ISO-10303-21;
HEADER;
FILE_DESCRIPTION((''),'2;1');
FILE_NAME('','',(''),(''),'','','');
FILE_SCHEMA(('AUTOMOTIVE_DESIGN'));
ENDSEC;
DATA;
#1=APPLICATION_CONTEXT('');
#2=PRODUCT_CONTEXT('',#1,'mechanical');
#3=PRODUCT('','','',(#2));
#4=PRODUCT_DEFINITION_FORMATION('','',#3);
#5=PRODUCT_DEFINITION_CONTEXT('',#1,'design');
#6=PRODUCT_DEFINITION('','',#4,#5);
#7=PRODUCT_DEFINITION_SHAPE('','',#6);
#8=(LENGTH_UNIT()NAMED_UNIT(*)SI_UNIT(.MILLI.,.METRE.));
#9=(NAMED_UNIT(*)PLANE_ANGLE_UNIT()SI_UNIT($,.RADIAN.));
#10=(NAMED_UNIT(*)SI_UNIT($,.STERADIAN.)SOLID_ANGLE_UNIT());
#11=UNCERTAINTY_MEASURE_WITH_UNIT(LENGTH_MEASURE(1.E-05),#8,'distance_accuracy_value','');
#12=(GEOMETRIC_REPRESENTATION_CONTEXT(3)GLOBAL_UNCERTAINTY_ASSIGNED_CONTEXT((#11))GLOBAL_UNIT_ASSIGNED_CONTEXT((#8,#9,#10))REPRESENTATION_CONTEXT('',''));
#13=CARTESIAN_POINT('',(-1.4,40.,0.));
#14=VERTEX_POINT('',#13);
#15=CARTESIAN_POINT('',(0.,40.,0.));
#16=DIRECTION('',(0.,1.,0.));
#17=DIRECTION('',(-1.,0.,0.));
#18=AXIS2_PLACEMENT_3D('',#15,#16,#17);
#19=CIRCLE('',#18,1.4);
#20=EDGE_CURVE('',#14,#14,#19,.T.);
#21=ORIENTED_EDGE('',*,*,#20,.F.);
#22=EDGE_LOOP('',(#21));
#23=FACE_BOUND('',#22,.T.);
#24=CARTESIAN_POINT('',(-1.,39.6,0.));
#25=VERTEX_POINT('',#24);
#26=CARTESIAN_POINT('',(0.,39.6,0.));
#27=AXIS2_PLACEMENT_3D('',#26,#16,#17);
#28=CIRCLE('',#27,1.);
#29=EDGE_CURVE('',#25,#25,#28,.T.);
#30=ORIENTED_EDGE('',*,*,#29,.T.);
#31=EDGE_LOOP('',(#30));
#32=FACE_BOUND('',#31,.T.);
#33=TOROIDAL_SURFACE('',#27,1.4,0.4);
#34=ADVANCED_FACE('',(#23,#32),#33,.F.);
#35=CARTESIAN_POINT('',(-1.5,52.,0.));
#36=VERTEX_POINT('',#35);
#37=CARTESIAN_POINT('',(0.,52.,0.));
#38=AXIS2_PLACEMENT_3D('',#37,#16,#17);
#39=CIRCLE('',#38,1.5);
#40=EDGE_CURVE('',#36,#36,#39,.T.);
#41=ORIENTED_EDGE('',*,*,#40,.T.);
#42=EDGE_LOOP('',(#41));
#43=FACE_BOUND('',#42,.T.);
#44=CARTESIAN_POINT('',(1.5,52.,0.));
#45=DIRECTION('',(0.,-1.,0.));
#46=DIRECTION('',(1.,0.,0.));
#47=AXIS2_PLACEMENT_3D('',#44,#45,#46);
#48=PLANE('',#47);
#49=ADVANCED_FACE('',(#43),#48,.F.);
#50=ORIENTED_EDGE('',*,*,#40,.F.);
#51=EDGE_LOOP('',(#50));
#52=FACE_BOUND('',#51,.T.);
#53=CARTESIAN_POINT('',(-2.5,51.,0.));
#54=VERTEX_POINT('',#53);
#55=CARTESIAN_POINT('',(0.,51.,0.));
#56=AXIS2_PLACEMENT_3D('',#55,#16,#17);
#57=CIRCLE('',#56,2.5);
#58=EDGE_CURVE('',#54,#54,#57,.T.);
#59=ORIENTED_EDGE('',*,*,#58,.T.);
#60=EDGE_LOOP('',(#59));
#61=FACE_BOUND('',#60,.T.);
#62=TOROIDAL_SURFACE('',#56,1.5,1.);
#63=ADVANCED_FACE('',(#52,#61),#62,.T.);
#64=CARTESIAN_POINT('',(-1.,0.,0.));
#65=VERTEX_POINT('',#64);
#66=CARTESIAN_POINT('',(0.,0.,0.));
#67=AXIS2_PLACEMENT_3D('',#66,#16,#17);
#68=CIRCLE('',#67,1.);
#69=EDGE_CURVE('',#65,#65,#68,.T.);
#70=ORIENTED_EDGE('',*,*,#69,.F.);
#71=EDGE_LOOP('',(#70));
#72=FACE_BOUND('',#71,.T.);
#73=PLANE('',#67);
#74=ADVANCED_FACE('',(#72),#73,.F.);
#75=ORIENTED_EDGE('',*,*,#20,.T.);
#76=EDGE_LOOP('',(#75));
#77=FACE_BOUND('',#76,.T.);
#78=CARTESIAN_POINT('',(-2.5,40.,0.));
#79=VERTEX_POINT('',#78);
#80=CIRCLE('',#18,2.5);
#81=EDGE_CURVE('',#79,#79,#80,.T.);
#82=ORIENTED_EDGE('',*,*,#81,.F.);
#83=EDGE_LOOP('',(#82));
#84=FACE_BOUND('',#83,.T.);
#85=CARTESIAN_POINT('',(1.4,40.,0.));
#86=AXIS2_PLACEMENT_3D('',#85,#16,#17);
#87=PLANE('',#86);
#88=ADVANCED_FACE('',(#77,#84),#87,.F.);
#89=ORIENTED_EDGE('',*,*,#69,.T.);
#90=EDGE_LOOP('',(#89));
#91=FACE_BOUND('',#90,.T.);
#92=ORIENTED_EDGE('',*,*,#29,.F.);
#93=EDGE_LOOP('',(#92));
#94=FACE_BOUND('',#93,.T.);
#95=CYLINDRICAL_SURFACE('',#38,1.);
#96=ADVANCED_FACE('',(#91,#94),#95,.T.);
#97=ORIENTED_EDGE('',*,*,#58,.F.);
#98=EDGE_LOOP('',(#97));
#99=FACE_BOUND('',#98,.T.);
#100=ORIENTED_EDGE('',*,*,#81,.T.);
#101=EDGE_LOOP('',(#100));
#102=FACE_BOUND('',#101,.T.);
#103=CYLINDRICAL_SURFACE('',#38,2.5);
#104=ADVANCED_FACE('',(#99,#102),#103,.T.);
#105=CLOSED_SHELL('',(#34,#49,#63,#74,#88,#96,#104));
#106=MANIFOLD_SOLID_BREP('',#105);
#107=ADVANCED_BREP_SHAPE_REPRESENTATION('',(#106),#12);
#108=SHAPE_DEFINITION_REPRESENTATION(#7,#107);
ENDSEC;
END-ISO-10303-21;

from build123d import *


with BuildPart() as part:
    # Sketch1 → Revolve1 (revolve)
    with BuildSketch(Plane.XY):
        with BuildLine():
            Line((0, 0), (1, 0))
            Line((1, 0), (1, 39.6))
            ThreePointArc((1, 39.6), (1.117157288, 39.882842712), (1.4, 40))
            Line((1.4, 40), (2.5, 40))
            Line((2.5, 40), (2.5, 51))
            ThreePointArc((2.5, 51), (2.207106781, 51.707106781), (1.5, 52))
            Line((1.5, 52), (0, 52))
            Line((0, 52), (0, 0))
        make_face()
    revolve(axis=Axis((0, 52, 0), (0, -1, 0)))


solid = part.part
